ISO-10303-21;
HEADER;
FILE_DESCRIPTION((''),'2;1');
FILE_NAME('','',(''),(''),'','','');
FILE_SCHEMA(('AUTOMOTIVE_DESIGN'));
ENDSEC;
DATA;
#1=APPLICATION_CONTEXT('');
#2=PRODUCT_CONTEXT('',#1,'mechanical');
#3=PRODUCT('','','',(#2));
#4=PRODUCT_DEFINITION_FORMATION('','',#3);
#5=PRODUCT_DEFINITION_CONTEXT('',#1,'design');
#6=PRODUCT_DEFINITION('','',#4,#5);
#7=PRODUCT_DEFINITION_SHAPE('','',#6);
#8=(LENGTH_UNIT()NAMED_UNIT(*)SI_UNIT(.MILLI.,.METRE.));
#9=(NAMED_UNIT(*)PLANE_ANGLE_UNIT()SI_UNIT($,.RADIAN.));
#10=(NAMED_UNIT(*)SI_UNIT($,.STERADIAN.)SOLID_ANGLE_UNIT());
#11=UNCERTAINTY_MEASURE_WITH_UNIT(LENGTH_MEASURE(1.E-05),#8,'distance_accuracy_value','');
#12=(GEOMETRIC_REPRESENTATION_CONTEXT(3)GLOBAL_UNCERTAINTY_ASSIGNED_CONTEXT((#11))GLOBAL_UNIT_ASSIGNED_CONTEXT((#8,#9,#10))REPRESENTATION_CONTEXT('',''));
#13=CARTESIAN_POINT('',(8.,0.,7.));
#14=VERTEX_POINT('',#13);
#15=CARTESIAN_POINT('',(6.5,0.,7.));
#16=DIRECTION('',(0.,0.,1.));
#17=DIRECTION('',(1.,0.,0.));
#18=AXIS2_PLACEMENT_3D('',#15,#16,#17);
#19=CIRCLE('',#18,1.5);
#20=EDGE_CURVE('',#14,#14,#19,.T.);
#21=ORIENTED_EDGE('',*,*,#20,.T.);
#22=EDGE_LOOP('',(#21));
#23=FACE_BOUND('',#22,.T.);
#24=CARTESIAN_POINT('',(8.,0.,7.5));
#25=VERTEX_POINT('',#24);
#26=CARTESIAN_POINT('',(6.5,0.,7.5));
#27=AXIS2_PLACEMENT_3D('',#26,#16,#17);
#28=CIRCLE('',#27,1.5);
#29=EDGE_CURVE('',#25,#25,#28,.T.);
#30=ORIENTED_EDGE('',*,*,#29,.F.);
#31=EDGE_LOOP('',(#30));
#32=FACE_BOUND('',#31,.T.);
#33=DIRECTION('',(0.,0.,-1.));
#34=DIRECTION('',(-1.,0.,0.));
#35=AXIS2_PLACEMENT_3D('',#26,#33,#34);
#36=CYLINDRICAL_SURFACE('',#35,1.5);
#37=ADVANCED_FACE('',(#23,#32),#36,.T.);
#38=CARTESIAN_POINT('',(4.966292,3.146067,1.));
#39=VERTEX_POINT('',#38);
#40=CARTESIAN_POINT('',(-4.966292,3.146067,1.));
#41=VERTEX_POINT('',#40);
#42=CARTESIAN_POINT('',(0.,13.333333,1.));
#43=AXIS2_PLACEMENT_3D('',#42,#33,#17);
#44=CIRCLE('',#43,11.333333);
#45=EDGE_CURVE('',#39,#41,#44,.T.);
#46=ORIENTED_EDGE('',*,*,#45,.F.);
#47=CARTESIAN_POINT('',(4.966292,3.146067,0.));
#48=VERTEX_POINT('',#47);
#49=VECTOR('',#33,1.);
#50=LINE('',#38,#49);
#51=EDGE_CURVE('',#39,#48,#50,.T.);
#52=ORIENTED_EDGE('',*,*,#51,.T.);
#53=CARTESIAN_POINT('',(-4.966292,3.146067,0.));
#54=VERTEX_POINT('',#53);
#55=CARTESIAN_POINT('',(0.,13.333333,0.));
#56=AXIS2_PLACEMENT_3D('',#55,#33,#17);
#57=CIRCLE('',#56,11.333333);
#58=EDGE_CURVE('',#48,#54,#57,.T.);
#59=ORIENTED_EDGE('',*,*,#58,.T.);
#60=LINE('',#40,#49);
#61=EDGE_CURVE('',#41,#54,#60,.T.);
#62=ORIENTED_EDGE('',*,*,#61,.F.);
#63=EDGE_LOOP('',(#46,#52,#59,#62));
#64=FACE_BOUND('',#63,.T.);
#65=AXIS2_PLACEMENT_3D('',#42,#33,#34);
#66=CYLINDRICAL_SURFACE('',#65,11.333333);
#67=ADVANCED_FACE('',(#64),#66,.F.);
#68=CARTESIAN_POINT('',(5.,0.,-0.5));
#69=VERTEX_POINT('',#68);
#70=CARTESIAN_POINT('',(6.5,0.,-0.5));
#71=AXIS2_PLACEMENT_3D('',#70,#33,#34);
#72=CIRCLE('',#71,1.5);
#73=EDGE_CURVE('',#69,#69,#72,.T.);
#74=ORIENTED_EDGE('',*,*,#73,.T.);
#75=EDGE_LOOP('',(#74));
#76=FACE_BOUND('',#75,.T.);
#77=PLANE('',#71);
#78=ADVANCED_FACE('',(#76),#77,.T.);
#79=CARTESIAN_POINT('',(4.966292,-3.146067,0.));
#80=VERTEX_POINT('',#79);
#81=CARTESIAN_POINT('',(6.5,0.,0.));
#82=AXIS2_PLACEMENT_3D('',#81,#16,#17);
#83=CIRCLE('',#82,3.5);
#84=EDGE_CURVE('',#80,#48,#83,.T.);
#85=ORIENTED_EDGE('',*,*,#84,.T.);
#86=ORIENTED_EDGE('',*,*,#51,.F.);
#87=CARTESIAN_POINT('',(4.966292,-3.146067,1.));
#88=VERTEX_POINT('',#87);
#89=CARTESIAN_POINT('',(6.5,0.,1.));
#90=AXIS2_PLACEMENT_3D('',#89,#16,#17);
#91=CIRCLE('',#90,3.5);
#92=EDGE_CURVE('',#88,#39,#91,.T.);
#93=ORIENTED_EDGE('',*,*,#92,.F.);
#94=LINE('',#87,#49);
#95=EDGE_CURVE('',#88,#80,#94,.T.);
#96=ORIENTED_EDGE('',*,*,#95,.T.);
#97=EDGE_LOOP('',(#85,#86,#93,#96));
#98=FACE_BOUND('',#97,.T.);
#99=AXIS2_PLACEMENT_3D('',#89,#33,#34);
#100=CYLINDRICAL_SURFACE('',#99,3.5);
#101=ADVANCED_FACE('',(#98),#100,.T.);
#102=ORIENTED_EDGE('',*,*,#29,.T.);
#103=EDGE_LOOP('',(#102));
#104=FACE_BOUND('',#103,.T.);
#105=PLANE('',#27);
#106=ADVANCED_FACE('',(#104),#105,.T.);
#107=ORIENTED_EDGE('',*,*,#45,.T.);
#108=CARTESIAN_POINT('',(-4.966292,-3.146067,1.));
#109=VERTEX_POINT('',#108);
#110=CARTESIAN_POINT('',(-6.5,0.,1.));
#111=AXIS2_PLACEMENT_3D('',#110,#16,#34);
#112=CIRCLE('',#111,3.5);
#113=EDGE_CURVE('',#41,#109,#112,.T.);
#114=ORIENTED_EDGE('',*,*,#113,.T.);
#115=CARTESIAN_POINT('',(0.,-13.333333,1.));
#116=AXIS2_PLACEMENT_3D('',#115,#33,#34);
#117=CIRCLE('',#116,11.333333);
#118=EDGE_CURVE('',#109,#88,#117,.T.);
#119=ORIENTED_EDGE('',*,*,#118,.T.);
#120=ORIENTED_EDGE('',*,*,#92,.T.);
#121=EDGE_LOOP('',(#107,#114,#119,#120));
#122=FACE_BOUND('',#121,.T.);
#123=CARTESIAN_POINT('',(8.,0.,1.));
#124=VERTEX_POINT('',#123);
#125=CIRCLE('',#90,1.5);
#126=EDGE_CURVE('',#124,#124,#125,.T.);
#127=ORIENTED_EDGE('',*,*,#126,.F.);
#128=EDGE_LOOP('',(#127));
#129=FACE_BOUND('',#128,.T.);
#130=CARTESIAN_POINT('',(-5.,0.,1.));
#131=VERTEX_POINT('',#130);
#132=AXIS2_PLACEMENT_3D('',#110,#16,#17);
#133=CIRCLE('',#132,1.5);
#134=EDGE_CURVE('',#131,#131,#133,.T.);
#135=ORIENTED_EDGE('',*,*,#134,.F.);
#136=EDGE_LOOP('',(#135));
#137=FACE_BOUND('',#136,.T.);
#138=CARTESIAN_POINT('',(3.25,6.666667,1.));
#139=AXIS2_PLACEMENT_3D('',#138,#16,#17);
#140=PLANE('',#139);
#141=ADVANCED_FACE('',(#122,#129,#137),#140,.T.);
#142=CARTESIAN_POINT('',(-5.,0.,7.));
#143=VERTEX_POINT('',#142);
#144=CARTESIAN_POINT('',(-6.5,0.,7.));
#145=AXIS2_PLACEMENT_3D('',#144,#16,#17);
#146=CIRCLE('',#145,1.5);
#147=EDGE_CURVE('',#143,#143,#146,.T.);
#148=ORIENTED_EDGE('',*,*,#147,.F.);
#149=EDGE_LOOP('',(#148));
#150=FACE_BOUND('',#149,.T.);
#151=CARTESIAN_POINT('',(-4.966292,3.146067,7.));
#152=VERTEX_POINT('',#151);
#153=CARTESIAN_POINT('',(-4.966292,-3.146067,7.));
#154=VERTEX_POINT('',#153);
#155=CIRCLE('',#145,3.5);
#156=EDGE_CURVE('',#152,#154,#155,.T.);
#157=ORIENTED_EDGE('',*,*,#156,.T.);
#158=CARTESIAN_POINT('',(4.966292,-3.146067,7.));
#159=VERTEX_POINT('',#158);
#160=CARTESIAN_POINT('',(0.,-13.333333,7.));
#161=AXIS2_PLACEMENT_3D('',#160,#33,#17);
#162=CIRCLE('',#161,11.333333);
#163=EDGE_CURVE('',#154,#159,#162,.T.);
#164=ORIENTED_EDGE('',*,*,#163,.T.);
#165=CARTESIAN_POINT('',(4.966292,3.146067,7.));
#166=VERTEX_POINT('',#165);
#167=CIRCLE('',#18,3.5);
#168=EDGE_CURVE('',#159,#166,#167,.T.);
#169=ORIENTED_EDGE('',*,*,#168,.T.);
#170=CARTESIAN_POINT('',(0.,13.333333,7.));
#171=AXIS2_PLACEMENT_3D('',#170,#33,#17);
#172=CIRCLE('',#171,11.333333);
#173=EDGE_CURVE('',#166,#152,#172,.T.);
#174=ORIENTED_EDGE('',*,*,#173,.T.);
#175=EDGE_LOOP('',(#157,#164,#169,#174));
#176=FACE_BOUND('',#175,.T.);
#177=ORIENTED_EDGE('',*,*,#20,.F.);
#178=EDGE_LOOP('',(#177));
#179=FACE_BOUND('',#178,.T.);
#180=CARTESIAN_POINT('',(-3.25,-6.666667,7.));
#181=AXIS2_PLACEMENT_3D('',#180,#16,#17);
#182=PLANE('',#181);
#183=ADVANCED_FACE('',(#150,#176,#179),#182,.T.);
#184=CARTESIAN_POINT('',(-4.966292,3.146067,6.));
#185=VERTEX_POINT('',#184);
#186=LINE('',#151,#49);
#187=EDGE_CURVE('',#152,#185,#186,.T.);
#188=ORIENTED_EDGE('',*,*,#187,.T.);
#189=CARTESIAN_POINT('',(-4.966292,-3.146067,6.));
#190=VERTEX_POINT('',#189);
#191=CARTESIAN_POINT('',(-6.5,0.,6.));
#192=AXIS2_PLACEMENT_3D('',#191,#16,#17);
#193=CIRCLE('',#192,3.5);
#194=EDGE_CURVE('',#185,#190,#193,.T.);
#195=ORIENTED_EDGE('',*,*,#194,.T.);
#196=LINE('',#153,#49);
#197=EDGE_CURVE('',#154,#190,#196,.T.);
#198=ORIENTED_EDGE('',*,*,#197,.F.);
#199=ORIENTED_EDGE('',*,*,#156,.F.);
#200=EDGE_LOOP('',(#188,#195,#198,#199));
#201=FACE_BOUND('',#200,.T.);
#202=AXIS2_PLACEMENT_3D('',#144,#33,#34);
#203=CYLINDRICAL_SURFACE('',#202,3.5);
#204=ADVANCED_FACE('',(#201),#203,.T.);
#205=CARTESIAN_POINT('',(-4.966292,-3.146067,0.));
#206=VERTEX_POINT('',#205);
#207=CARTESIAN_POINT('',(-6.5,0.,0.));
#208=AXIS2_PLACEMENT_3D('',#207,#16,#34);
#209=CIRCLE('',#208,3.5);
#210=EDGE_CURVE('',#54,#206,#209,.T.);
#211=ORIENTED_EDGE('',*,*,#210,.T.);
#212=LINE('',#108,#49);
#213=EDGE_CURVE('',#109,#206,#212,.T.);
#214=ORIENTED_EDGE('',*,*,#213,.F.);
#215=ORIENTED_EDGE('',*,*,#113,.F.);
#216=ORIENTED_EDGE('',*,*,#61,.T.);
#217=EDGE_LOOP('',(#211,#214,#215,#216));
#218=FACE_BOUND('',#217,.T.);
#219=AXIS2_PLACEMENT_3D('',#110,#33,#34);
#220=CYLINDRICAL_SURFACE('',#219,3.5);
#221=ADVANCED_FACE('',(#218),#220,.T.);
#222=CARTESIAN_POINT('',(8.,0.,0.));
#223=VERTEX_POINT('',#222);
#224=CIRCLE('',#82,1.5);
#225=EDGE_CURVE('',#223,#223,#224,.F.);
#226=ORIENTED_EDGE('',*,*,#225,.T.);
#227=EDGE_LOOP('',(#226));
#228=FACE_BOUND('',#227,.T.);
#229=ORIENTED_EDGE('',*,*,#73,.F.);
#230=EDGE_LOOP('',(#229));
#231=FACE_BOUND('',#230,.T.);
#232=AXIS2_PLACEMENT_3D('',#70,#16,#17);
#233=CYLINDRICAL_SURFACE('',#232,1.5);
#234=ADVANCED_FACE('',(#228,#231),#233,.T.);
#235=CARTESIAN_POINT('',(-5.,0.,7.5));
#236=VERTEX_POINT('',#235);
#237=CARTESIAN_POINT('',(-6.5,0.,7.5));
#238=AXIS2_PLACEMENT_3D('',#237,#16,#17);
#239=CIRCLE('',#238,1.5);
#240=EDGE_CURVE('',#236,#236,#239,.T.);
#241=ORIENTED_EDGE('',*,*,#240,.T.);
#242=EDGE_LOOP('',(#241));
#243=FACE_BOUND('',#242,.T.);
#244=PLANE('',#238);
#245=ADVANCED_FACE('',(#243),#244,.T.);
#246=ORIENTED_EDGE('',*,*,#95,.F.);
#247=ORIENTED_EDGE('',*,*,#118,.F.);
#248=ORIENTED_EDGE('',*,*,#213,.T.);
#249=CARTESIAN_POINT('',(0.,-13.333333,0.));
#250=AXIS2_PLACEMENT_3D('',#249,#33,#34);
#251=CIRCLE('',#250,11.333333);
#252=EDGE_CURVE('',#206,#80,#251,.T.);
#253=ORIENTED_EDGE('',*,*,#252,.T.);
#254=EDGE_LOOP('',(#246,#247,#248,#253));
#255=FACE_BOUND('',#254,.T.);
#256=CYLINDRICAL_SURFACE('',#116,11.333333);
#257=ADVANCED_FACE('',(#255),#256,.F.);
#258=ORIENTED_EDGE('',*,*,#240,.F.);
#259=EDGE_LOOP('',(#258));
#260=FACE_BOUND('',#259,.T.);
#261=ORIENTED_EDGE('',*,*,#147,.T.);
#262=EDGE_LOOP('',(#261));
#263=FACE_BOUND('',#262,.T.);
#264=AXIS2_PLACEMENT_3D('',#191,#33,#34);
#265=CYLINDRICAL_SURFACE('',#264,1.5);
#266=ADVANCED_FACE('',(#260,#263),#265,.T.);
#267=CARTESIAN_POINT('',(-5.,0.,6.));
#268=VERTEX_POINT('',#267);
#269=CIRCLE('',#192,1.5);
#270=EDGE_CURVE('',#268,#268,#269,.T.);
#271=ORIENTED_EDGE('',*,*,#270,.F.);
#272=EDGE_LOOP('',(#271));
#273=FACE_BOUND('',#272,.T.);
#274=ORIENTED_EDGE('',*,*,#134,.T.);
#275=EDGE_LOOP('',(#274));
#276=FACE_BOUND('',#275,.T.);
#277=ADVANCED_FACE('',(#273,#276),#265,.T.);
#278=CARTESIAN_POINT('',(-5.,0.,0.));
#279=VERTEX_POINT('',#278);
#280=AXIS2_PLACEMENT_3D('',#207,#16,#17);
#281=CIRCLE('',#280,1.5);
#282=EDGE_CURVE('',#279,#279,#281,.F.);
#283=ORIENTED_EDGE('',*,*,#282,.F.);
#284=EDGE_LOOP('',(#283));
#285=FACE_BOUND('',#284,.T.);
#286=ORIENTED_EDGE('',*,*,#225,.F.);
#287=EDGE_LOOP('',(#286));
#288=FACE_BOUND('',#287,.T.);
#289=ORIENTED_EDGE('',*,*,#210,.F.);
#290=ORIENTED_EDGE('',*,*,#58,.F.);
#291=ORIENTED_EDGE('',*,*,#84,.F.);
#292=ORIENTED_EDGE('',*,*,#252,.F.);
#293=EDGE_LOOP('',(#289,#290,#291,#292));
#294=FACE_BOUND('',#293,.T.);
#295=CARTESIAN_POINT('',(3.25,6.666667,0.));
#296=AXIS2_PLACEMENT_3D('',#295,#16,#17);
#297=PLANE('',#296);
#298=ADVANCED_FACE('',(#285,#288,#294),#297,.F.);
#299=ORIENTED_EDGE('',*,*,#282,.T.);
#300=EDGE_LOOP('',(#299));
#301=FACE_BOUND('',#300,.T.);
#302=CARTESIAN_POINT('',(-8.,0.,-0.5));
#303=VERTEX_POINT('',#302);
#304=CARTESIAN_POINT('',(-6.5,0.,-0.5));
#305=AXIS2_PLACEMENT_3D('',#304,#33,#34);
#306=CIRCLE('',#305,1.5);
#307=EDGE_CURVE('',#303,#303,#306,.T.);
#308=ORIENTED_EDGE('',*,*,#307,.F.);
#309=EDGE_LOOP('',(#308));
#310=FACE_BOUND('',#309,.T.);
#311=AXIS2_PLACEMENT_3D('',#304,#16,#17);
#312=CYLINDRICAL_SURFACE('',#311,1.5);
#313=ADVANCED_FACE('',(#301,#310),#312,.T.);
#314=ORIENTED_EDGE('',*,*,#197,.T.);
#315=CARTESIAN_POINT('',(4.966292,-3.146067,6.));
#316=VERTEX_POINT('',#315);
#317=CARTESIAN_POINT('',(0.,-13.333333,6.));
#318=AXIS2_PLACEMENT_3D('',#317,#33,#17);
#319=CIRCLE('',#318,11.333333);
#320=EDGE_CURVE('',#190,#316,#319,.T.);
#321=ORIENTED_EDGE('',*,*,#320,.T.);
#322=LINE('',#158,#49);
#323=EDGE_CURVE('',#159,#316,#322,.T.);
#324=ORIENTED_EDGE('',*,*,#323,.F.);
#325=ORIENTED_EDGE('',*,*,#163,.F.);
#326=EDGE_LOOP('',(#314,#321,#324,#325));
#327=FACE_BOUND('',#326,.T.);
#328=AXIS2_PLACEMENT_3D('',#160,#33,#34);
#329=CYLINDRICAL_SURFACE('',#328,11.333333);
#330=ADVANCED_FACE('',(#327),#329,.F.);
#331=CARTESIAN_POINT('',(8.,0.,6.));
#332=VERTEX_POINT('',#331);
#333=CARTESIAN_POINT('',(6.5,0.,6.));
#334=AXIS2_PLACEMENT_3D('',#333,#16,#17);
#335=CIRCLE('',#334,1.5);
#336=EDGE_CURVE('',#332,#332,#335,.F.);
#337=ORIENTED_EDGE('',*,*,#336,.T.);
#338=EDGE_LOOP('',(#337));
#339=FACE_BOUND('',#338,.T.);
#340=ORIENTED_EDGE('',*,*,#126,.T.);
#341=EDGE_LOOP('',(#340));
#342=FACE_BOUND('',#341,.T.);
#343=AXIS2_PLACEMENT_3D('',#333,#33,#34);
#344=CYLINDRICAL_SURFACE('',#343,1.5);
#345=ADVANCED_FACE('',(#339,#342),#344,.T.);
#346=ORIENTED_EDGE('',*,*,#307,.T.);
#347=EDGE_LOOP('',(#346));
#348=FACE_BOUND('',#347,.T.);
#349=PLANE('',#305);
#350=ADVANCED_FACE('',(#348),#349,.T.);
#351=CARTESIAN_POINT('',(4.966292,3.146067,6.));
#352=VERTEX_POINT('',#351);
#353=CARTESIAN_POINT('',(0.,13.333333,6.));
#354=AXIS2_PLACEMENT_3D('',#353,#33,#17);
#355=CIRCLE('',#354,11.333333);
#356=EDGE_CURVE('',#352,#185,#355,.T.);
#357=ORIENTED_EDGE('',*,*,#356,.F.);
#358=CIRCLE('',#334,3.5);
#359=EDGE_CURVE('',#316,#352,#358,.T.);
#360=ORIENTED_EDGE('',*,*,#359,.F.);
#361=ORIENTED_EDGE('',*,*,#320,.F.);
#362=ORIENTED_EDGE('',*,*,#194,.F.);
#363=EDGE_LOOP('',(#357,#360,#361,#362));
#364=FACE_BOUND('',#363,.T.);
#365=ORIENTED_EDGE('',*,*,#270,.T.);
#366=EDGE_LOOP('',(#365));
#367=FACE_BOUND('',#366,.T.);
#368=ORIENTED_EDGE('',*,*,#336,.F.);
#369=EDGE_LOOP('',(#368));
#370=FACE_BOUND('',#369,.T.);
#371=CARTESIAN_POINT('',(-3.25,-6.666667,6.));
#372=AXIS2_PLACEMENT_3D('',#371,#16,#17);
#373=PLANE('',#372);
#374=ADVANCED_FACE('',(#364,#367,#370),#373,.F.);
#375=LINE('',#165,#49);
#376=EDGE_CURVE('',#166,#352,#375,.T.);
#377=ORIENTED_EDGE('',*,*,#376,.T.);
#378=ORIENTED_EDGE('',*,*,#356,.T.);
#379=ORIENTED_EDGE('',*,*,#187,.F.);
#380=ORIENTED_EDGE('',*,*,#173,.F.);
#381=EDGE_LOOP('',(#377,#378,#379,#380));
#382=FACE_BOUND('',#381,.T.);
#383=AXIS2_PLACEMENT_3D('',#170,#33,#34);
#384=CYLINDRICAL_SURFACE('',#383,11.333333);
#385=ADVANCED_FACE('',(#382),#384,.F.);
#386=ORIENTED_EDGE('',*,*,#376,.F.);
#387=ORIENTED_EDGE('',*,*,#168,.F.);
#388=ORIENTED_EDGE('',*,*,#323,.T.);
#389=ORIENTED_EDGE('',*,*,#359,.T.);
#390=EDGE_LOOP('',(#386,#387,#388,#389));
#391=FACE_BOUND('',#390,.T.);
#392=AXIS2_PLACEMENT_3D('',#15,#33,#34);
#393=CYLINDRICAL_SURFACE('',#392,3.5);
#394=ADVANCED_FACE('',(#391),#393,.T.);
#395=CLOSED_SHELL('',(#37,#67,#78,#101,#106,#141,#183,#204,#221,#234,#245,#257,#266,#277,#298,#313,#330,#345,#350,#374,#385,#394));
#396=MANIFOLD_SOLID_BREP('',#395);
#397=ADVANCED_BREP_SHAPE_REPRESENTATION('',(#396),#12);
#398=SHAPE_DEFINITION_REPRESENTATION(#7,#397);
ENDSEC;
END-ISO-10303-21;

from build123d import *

# Parameters (mm, degrees)
CROQUIS1_R                = 1.5
SALIENTE_EXTRUIR1_DEPTH   = 1
CROQUIS2_R                = 1.5
SALIENTE_EXTRUIR2_DEPTH   = 5
SALIENTE_EXTRUIR2_2_DEPTH = 5
CROQUIS3_R                = 1.5
SALIENTE_EXTRUIR4_DEPTH   = 1
CROQUIS4_R                = 1.5
SALIENTE_EXTRUIR5_DEPTH   = 1.5
CROQUIS5_R                = 1.5
SALIENTE_EXTRUIR6_DEPTH   = 1.5


with BuildPart() as part:
    # Croquis1 → Saliente-Extruir1 (new body)
    with BuildSketch(Plane.XY):
        with BuildLine():
            ThreePointArc((4.966292135, -3.146067416), (10, 0), (4.966292135, 3.146067416))
            ThreePointArc((4.966292135, 3.146067416), (0, 2), (-4.966292135, 3.146067416))
            ThreePointArc((-4.966292135, 3.146067416), (-10, 0), (-4.966292135, -3.146067416))
            ThreePointArc((-4.966292135, -3.146067416), (0, -2), (4.966292135, -3.146067416))
        make_face()
        with Locations((6.5, 0)):
            Circle(CROQUIS1_R, mode=Mode.SUBTRACT)
        with Locations((-6.5, 0)):
            Circle(CROQUIS1_R, mode=Mode.SUBTRACT)
    extrude(amount=SALIENTE_EXTRUIR1_DEPTH)



with BuildPart() as body_2:
    # Croquis2 → Saliente-Extruir2 (new body)
    with BuildSketch(Plane.XY.offset(1)):
        with Locations((-6.5, 0)):
            Circle(CROQUIS2_R)
    extrude(amount=SALIENTE_EXTRUIR2_DEPTH)



with BuildPart() as body_3:
    # Croquis2 → Saliente-Extruir2 2 (new body)
    with BuildSketch(Plane.XY.offset(1)):
        with Locations((6.5, 0)):
            Circle(CROQUIS2_R)
    extrude(amount=SALIENTE_EXTRUIR2_2_DEPTH)


with BuildPart() as body_4:
    # Croquis3 → Saliente-Extruir4 (new body)
    with BuildSketch(Plane.XY.offset(6)):
        with BuildLine():
            ThreePointArc((-4.966292135, 3.146067416), (0, 2), (4.966292135, 3.146067416))
            ThreePointArc((4.966292135, 3.146067416), (10, 0), (4.966292135, -3.146067416))
            ThreePointArc((4.966292135, -3.146067416), (0, -2), (-4.966292135, -3.146067416))
            ThreePointArc((-4.966292135, -3.146067416), (-10, 0), (-4.966292135, 3.146067416))
        make_face()
        with Locations((-6.5, 0)):
            Circle(CROQUIS3_R, mode=Mode.SUBTRACT)
        with Locations((6.5, 0)):
            Circle(CROQUIS3_R, mode=Mode.SUBTRACT)
    extrude(amount=SALIENTE_EXTRUIR4_DEPTH)


with BuildPart() as body_2_1:
    add(body_2.part)

    add(body_3.part)  # Saliente-Extruir5 merges body 3

    add(body_4.part)  # Saliente-Extruir5 merges body 4
    # Croquis4 → Saliente-Extruir5 (add)
    with BuildSketch(Plane.XY.offset(6)):
        with Locations((-6.5, 0)):
            Circle(CROQUIS4_R)
        with Locations((6.5, 0)):
            Circle(CROQUIS4_R)
    extrude(amount=SALIENTE_EXTRUIR5_DEPTH)


with BuildPart() as part_1:
    add(part.part)

    add(body_2_1.part)  # Saliente-Extruir6 merges body 2
    # Croquis5 → Saliente-Extruir6 (add)
    with BuildSketch(Plane(origin=(0, 0, 1), x_dir=(-1, 0, 0), z_dir=(0, 0, -1))):
        with Locations((-6.5, 0)):
            Circle(CROQUIS5_R)
        with Locations((6.5, 0)):
            Circle(CROQUIS5_R)
    extrude(amount=SALIENTE_EXTRUIR6_DEPTH)


solid = part_1.part
